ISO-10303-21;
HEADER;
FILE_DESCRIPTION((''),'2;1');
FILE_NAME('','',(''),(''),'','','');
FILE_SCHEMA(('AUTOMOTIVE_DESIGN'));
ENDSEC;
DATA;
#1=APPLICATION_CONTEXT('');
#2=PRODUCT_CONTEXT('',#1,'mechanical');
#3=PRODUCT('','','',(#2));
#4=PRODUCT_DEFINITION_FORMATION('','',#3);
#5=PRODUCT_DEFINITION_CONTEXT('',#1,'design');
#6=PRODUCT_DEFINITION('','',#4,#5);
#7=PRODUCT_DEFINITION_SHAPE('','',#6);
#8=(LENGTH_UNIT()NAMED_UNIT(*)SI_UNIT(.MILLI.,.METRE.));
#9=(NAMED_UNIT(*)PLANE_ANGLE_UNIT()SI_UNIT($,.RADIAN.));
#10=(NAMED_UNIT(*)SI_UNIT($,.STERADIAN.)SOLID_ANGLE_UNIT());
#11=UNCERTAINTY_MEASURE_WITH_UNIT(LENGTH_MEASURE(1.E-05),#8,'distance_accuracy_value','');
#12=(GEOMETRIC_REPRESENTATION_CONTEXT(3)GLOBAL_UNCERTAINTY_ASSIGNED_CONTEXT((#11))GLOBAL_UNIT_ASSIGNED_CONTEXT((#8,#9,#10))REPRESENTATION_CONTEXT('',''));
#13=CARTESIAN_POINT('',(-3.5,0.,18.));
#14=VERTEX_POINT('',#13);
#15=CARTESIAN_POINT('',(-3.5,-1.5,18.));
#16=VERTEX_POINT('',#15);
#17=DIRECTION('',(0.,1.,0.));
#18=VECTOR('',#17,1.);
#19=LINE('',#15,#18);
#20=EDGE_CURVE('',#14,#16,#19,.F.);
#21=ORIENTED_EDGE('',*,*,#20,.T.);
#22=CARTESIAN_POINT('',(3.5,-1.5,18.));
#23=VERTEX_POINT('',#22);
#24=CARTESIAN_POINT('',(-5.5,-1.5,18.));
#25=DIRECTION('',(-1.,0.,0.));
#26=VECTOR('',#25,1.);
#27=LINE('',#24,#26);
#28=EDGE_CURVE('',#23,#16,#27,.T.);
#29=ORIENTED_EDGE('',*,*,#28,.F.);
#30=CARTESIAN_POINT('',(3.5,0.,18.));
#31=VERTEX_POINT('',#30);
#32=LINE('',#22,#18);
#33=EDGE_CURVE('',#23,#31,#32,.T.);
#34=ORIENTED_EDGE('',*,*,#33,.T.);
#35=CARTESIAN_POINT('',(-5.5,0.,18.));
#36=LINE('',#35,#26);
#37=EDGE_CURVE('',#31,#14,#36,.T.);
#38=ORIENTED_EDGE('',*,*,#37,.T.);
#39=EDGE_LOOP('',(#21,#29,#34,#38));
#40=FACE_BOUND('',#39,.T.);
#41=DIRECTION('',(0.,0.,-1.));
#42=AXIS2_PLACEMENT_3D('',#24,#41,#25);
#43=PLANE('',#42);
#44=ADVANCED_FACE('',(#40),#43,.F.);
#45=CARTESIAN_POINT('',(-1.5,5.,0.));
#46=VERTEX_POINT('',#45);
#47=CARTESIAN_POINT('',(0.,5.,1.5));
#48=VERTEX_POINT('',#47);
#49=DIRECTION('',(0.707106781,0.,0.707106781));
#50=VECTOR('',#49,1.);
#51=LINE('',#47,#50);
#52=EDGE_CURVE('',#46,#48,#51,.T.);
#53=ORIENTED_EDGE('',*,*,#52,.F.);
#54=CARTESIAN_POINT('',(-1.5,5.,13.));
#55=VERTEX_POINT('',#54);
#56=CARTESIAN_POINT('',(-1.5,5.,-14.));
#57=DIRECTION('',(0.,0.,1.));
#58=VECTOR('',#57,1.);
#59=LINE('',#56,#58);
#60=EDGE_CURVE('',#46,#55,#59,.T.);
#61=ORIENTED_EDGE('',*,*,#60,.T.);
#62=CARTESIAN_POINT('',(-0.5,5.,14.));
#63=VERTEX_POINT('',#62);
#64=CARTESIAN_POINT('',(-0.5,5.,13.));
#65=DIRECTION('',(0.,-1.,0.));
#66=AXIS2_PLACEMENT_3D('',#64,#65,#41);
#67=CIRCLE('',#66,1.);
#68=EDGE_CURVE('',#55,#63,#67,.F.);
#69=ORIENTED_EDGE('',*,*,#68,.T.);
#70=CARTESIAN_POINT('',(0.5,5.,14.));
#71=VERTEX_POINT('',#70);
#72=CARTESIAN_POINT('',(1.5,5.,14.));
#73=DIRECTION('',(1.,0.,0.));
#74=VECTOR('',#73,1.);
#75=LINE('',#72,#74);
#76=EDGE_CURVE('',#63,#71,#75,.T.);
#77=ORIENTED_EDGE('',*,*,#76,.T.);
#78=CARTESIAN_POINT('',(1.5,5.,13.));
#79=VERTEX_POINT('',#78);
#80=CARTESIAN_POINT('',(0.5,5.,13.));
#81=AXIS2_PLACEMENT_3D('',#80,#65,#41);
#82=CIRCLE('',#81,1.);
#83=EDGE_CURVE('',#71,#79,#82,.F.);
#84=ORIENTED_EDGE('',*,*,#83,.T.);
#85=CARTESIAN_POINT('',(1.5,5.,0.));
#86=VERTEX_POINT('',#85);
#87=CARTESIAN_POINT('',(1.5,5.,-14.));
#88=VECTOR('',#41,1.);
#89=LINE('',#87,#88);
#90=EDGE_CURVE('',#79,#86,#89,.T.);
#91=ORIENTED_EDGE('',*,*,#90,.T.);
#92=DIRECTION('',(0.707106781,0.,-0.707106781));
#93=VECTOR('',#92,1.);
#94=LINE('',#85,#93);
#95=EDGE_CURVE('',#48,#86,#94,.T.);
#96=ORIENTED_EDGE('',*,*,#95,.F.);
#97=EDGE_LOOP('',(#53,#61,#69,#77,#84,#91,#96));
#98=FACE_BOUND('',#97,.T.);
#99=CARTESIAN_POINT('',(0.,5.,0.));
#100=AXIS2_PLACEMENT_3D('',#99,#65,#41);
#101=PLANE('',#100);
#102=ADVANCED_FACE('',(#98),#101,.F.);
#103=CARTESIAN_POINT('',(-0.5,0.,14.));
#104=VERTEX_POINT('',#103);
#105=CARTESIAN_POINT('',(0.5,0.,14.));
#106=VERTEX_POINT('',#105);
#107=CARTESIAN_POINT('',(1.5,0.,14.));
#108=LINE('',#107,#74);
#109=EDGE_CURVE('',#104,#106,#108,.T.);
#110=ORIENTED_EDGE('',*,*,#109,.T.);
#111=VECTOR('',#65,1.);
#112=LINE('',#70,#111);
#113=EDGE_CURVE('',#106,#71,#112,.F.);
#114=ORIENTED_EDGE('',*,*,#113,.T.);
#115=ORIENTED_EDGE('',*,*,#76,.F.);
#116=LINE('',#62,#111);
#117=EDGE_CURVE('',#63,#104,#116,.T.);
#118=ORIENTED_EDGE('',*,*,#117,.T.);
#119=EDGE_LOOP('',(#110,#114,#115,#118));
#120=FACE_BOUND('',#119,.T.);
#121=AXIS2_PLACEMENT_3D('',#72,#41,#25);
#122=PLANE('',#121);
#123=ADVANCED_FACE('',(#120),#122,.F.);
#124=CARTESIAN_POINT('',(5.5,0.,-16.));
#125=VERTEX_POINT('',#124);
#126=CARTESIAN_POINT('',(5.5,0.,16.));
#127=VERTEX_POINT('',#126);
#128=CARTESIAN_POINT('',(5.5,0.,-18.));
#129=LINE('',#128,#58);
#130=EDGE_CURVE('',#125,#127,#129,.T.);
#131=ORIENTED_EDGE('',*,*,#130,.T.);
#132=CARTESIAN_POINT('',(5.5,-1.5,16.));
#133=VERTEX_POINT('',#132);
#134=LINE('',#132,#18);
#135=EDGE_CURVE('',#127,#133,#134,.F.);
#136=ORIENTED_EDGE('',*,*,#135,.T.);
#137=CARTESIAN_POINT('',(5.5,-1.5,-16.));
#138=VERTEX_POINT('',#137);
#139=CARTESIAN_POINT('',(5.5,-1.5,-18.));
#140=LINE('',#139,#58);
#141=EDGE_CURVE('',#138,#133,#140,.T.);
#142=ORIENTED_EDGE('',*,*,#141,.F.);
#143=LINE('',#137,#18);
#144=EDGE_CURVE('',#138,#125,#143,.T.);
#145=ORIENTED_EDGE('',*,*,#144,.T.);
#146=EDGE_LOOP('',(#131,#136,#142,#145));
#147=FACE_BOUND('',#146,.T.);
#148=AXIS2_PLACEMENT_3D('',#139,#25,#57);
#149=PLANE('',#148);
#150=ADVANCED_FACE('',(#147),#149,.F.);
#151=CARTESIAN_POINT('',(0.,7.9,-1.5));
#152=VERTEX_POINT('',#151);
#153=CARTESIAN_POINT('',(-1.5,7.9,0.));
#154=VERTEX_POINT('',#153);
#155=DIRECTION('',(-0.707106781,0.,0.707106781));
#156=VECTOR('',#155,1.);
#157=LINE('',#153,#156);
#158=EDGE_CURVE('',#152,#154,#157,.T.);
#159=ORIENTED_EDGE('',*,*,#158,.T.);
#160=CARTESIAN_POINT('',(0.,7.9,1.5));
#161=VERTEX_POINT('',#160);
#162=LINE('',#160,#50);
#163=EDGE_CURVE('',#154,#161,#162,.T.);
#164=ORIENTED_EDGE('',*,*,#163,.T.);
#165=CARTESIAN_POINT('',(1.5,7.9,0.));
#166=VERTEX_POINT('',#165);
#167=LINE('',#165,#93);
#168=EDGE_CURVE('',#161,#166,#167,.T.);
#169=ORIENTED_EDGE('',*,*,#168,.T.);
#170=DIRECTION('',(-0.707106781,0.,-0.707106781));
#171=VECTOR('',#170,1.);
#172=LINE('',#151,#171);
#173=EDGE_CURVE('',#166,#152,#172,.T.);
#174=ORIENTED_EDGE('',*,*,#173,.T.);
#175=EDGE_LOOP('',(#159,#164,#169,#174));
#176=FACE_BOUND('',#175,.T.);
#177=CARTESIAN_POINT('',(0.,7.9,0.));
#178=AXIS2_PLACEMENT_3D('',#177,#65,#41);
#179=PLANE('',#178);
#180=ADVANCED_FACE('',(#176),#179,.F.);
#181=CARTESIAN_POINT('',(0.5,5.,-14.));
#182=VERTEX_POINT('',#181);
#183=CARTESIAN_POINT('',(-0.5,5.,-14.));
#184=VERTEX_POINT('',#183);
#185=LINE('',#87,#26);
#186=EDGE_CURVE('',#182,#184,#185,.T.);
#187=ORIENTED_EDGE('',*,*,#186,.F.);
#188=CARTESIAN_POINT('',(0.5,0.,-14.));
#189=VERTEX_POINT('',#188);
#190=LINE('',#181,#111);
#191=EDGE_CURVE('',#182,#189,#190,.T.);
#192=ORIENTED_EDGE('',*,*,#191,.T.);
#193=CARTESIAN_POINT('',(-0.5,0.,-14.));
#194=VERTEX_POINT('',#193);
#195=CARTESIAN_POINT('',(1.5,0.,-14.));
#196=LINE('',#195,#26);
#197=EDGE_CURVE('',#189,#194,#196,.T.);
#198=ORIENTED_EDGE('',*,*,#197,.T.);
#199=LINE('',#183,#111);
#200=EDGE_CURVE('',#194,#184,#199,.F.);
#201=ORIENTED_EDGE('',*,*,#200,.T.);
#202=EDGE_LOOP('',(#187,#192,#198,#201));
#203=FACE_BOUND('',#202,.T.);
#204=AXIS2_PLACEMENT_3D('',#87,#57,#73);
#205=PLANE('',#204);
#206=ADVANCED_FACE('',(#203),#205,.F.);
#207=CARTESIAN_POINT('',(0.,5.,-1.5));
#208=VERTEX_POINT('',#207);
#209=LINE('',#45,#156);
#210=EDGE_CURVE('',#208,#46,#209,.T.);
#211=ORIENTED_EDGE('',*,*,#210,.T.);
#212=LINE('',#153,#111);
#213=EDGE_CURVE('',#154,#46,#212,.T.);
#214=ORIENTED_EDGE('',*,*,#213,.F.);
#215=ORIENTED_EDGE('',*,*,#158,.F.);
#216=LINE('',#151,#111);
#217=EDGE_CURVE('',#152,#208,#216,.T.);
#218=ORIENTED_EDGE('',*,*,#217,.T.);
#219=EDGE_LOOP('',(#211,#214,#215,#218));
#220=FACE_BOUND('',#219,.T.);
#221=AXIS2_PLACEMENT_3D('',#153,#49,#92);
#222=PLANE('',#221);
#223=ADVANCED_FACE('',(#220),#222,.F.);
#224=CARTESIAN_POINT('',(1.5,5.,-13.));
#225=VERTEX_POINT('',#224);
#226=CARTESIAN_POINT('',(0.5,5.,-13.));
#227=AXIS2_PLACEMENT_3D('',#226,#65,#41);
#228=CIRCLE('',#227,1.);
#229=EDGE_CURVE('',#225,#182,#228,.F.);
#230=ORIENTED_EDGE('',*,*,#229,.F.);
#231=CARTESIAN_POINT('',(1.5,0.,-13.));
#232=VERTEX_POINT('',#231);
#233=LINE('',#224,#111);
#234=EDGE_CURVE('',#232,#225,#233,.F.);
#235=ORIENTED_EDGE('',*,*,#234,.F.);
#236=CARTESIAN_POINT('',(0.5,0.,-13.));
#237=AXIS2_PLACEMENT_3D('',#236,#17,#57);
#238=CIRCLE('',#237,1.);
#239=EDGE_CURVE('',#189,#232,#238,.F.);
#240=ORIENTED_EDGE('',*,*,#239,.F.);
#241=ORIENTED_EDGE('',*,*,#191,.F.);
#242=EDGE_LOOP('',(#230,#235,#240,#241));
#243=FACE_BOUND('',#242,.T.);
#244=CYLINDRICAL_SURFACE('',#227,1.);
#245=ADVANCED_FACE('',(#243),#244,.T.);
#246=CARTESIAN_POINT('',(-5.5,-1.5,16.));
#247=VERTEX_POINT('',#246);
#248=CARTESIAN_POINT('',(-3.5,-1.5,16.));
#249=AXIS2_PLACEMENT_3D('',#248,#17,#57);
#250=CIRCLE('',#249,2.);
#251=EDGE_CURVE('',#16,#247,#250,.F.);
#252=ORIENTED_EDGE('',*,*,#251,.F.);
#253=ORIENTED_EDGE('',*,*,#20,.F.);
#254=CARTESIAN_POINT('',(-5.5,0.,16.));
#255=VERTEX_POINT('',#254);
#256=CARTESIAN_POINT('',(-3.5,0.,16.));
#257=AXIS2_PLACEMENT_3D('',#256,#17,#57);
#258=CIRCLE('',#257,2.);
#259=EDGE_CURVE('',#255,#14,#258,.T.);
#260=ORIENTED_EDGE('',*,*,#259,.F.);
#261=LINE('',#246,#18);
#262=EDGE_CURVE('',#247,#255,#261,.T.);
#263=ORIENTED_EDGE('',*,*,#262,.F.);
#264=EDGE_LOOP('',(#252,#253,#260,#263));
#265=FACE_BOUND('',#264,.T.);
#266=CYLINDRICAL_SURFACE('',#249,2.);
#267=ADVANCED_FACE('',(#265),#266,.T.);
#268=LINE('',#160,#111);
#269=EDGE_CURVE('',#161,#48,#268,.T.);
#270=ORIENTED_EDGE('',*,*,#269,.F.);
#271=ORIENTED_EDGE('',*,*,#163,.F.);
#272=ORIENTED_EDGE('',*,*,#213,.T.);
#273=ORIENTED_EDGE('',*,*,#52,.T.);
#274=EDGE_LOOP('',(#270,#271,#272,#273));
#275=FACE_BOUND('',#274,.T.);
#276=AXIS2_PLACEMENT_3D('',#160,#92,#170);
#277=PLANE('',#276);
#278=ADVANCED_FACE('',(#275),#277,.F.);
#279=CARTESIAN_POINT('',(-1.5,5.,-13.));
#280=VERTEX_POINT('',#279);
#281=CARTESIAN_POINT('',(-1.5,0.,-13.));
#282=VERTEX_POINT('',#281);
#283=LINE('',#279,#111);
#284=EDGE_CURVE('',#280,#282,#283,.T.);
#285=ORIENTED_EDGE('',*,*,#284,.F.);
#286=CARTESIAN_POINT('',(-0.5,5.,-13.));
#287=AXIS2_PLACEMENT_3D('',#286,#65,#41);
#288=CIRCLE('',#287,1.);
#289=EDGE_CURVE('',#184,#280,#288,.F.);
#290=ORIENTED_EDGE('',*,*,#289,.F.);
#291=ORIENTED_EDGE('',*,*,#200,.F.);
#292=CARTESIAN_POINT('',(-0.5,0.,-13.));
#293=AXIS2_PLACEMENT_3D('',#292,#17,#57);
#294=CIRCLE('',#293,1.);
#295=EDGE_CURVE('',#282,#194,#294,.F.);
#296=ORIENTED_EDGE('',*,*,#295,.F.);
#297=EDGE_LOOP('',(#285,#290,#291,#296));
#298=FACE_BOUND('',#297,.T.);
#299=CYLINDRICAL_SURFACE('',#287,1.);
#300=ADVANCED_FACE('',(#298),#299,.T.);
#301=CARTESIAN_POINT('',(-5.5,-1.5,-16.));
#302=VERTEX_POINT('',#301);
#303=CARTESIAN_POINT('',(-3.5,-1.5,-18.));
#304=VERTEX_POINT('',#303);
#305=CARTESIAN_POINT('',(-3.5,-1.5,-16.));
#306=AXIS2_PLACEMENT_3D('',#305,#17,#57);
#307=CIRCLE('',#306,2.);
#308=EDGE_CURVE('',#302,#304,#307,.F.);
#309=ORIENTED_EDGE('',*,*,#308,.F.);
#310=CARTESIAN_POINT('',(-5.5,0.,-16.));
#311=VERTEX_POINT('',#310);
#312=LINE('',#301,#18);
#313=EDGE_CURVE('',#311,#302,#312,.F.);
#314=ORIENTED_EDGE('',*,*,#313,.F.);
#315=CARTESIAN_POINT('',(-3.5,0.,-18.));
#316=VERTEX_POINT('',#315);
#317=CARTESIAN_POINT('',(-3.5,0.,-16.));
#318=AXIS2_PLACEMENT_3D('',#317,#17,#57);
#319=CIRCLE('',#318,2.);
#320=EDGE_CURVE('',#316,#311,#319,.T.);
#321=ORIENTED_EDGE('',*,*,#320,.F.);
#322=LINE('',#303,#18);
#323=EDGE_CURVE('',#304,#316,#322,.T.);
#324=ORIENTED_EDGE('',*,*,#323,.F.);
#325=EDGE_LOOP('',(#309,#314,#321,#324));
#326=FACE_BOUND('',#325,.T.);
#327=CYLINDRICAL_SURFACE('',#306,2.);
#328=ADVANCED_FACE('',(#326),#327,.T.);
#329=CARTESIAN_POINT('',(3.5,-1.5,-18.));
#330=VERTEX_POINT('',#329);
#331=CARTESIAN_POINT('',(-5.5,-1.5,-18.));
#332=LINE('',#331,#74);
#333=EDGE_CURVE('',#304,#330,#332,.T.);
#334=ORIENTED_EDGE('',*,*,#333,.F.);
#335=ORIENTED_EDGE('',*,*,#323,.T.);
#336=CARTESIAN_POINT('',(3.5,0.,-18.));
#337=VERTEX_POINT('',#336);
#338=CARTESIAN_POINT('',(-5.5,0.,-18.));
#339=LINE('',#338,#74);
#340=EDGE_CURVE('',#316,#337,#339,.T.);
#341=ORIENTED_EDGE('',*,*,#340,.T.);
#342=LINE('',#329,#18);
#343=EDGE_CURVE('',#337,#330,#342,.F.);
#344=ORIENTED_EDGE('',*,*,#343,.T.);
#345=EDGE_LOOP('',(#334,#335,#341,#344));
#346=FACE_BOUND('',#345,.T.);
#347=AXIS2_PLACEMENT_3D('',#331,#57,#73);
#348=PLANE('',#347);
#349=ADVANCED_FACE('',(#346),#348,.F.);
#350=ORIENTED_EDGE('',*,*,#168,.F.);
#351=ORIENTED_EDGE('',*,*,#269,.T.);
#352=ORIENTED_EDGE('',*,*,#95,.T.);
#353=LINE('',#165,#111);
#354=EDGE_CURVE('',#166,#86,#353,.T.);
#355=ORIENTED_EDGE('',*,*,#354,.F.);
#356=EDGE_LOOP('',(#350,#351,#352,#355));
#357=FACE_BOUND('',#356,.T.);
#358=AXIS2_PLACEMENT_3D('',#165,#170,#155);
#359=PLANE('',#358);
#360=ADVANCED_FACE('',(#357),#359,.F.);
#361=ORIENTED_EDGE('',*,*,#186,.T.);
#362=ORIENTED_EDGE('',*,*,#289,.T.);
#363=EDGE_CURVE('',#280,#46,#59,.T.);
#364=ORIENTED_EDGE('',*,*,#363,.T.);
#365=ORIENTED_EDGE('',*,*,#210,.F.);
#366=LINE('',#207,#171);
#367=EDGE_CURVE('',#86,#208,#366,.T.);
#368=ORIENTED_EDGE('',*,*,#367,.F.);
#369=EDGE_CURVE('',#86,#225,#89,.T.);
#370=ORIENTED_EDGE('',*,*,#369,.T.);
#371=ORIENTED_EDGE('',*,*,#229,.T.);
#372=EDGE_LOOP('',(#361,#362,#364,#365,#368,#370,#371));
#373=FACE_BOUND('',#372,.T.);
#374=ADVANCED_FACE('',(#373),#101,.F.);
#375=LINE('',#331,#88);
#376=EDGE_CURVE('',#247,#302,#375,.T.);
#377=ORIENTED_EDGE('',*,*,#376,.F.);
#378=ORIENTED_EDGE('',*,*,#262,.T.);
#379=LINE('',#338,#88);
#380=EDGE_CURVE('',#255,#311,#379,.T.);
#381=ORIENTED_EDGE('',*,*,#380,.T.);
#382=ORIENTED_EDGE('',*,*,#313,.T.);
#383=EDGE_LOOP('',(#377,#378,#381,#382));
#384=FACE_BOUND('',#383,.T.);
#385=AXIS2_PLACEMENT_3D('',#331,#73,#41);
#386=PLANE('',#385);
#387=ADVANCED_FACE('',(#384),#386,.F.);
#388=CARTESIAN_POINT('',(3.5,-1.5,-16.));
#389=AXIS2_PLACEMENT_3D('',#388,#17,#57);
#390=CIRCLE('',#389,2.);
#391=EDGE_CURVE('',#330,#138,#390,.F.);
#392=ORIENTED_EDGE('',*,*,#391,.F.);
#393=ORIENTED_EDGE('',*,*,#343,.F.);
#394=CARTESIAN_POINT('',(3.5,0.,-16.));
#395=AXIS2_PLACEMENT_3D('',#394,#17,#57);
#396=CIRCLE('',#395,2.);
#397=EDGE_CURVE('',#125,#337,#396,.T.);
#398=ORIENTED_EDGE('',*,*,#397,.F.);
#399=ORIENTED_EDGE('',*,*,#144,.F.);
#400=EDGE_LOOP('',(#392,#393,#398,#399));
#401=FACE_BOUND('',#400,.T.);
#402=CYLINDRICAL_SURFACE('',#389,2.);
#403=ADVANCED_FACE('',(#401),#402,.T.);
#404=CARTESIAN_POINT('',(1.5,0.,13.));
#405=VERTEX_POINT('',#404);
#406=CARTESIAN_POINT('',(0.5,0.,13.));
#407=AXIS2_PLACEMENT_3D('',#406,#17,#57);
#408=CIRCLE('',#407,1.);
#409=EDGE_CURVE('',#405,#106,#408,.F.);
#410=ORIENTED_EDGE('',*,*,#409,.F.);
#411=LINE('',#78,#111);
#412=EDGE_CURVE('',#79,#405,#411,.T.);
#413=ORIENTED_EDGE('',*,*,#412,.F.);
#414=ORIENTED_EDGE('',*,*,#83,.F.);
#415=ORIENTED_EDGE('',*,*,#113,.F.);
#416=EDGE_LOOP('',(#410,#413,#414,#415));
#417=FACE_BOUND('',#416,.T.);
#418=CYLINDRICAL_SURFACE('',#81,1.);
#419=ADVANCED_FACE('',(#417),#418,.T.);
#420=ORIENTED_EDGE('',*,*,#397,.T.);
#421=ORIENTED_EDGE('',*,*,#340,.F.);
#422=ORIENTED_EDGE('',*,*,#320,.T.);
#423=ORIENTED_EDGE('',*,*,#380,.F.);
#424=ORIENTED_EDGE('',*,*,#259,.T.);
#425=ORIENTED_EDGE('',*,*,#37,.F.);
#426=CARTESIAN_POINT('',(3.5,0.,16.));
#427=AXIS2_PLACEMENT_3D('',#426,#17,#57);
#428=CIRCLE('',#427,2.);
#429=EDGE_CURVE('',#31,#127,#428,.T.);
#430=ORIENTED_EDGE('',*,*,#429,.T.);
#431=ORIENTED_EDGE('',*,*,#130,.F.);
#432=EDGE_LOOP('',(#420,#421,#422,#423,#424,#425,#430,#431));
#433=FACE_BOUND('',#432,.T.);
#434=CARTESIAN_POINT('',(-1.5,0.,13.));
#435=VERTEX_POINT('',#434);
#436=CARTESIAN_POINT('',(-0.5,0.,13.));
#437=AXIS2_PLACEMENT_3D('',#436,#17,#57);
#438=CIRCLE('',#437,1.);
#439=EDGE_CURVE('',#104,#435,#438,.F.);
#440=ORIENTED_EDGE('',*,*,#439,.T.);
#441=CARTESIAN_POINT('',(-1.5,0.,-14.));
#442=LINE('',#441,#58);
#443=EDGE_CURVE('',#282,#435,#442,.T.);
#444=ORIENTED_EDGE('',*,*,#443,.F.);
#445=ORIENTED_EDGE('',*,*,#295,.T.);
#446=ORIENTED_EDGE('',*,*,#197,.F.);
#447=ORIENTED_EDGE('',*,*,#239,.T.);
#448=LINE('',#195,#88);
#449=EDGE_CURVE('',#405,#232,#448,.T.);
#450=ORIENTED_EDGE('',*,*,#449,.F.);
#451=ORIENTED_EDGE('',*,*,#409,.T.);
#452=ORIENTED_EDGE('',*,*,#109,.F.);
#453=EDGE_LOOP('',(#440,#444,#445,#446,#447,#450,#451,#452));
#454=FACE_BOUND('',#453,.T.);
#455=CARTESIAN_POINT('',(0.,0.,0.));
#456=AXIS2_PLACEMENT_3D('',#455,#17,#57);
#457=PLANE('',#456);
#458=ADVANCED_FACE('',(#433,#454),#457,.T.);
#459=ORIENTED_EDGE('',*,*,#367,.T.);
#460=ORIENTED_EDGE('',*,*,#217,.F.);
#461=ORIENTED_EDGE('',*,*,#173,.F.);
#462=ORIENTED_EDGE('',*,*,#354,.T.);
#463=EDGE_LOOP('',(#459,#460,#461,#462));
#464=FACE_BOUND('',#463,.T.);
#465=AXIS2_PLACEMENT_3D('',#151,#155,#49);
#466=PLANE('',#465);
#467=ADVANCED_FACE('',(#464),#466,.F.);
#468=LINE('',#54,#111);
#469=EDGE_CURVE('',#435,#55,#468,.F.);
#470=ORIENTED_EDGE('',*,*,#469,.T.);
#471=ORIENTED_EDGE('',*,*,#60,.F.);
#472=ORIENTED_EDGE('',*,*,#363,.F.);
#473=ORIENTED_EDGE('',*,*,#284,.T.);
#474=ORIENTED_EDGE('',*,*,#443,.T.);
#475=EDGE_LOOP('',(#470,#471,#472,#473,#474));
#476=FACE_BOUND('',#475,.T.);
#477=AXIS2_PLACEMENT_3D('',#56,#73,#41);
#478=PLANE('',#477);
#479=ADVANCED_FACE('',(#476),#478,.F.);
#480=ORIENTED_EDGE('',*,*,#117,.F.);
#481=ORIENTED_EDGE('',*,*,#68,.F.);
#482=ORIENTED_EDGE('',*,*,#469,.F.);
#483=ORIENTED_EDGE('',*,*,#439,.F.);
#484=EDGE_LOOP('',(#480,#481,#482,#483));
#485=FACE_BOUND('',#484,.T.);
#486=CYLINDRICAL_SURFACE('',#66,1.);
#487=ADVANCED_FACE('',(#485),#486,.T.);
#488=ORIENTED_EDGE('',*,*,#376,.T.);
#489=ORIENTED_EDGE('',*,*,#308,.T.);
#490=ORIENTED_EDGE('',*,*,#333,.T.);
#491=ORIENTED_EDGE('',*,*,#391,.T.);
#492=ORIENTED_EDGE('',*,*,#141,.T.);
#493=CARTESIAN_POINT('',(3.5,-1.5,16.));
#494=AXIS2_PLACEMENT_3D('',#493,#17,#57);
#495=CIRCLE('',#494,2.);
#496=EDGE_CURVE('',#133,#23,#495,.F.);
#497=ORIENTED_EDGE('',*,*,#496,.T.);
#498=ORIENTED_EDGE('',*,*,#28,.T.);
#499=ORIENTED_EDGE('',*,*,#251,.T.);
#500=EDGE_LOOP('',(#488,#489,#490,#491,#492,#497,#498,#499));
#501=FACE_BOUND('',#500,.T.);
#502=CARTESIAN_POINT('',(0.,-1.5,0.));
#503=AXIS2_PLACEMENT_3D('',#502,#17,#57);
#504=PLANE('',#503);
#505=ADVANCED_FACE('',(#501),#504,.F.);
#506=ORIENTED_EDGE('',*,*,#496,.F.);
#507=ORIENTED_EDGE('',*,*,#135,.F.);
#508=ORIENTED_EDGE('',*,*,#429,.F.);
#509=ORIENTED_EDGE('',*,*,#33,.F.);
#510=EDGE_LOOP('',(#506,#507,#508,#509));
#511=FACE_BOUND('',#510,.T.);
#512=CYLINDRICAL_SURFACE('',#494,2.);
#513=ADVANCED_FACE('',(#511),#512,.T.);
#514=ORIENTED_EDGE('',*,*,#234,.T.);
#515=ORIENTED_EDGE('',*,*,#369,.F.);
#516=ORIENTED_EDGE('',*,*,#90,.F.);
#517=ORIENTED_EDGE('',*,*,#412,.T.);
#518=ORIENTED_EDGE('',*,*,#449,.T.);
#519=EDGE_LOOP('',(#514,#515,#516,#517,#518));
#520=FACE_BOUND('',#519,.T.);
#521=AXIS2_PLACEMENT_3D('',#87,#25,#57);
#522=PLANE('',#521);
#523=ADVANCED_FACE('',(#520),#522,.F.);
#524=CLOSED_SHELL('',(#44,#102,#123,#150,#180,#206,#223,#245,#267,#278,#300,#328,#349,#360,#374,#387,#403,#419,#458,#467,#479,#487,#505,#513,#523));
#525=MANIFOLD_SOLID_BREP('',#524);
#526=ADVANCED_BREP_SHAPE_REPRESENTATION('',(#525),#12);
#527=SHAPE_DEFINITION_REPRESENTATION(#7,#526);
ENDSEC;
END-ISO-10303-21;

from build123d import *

# Parameters (mm, degrees)
SKETCH_1_W      = 3
SKETCH_1_H      = 28
EXTRUDE_1_DEPTH = 5
SKETCH_2_W      = 11
SKETCH_2_H      = 36
EXTRUDE_2_DEPTH = 1.5
FILLET_1_R      = 1
FILLET_3_R      = 2
EXTRUDE_3_DEPTH = 2.9


with BuildPart() as part:
    # Эскиз1 → Бобышка-Вытянуть1 (new body)
    with BuildSketch(Plane(origin=(0, 0, 0), x_dir=(1, 0, 0), z_dir=(0, 1, 0))):
        Rectangle(SKETCH_1_W, SKETCH_1_H)
    extrude(amount=EXTRUDE_1_DEPTH)

    # Эскиз2 → Бобышка-Вытянуть2 (add)
    with BuildSketch(Plane.XZ):
        Rectangle(SKETCH_2_W, SKETCH_2_H)
    extrude(amount=EXTRUDE_2_DEPTH)

    # Скругление1
    fillet_1_edges = [part.edges().sort_by_distance(p)[0] for p in [
        (-1.5, 2.5, -14),
        (1.5, 2.5, -14),
        (1.5, 2.5, 14),
        (-1.5, 2.5, 14),
    ]]
    fillet(fillet_1_edges, radius=FILLET_1_R)

    # Скругление3
    fillet_3_edges = [part.edges().sort_by_distance(p)[0] for p in [
        (5.5, -0.75, -18),
        (5.5, -0.75, 18),
        (-5.5, -0.75, 18),
        (-5.5, -0.75, -18),
    ]]
    fillet(fillet_3_edges, radius=FILLET_3_R)

    # Эскиз3 → Бобышка-Вытянуть3 (add)
    with BuildSketch(Plane(origin=(0, 5, 0), x_dir=(1, 0, 0), z_dir=(0, 1, 0))):
        Polygon((-1.5, 0), (0, 1.5), (1.5, 0), (0, -1.5), align=None)
    extrude(amount=EXTRUDE_3_DEPTH)


solid = part.part
